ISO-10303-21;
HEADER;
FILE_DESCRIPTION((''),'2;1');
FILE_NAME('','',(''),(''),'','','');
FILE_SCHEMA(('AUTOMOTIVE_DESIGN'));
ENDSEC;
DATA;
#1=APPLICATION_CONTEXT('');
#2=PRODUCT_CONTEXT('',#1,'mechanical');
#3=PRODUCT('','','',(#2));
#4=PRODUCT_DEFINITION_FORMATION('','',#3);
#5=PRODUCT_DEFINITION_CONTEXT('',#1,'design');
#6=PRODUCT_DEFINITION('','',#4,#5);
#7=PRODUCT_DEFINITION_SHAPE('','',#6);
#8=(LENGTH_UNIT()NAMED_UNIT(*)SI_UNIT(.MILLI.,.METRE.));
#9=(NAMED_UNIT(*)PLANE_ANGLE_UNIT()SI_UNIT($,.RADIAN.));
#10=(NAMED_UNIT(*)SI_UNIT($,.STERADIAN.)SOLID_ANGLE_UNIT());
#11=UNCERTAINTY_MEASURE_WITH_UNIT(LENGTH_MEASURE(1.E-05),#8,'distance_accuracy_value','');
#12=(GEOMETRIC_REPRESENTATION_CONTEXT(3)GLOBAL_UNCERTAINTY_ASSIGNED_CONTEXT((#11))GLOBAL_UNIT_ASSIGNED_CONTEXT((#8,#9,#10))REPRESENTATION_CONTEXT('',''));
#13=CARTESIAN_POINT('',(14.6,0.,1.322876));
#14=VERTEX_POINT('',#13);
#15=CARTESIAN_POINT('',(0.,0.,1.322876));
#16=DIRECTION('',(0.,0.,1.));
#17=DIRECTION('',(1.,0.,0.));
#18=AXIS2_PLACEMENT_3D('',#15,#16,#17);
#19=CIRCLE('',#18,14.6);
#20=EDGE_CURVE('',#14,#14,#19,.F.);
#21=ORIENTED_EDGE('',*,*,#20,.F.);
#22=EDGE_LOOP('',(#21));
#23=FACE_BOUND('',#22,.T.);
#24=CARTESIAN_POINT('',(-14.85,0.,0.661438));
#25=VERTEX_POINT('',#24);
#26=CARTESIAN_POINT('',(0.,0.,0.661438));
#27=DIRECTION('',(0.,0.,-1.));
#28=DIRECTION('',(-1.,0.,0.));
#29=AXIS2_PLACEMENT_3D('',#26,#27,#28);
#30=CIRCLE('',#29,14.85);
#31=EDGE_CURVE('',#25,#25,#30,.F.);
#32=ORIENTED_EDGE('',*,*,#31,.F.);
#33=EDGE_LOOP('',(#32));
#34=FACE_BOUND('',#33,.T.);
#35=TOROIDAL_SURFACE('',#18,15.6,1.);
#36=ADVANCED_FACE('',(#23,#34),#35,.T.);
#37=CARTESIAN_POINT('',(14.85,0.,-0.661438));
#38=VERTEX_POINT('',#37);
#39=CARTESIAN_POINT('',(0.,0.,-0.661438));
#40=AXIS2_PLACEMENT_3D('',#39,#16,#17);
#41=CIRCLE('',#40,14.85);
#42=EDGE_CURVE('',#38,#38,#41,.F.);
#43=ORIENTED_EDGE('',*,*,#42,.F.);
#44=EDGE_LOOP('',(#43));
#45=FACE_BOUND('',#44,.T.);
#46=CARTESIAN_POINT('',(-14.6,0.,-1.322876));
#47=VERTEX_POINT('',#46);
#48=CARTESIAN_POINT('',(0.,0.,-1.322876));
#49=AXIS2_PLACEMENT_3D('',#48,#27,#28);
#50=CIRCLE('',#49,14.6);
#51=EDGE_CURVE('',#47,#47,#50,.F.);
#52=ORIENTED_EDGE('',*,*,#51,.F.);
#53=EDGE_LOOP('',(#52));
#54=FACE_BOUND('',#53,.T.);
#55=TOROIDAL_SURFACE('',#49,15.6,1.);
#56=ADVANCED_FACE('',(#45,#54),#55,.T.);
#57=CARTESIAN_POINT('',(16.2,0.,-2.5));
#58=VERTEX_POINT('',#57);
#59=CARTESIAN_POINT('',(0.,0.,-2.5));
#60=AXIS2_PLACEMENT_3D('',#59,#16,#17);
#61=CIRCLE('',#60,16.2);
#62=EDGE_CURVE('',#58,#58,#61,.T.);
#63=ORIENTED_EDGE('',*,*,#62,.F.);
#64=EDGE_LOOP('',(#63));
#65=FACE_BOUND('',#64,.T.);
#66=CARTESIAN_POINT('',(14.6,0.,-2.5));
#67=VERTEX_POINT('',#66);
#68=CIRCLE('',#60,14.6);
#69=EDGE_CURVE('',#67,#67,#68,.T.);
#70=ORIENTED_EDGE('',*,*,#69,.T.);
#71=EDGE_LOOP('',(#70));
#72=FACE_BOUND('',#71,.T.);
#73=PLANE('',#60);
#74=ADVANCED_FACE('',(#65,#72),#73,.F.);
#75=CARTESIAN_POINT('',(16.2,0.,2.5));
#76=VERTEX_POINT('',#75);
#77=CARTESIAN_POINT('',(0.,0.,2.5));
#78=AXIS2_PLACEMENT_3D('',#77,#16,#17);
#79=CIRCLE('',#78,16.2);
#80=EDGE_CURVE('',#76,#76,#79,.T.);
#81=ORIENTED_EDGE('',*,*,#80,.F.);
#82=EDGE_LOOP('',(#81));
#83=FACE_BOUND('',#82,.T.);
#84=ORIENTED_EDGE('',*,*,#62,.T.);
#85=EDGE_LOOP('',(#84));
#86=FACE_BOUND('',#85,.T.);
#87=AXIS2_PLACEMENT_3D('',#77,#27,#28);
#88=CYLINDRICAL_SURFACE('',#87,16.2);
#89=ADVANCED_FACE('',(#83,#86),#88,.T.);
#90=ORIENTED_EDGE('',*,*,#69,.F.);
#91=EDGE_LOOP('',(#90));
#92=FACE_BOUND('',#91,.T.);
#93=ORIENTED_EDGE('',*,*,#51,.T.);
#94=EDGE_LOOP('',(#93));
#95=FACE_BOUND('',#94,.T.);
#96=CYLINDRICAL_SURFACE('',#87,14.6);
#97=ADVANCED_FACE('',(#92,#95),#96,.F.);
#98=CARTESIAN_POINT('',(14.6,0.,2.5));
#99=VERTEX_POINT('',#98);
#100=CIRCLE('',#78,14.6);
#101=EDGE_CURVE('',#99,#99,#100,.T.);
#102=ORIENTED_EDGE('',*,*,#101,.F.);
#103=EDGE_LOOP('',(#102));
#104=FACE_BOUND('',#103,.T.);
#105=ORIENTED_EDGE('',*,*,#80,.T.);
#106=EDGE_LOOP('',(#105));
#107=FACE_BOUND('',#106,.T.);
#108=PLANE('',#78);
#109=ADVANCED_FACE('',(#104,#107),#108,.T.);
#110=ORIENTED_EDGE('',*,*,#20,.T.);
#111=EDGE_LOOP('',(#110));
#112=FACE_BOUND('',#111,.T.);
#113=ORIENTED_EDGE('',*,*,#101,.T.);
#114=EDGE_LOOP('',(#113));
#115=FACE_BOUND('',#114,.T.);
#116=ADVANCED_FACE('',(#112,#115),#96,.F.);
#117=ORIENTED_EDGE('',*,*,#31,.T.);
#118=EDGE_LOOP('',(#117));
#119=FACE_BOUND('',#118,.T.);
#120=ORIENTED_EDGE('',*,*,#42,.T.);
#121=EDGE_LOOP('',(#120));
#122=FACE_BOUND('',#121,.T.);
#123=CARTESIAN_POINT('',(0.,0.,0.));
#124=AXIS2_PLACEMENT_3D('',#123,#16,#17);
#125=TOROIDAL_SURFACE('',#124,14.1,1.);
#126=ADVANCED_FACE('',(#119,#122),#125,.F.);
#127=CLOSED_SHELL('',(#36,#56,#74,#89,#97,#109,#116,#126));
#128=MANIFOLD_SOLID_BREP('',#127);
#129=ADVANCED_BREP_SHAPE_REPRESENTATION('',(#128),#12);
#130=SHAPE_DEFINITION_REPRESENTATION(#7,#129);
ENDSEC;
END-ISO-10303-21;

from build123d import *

# Parameters (mm, degrees)
SKETCH_1_R      = 16.2
SKETCH_1_R_2    = 14.6
EXTRUDE_1_DEPTH = 2.5
SKETCH_3_R      = 1
FILLET_1_R      = 1


with BuildPart() as part:
    # 草图1 → 凸台-拉伸1 (new body, symmetric)
    with BuildSketch(Plane.XY):
        Circle(SKETCH_1_R)
        Circle(SKETCH_1_R_2, mode=Mode.SUBTRACT)
    extrude(amount=EXTRUDE_1_DEPTH, both=True)

    # 草图3 → 切除-旋转1 (revolve, cut)
    with BuildSketch(Plane(origin=(0, 0, 0), x_dir=(1, 0, 0), z_dir=(0, 1, 0))):
        with Locations((-14.1, 0)):
            Circle(SKETCH_3_R)
    revolve(axis=Axis((0, 0, 2.5), (0, 0, -1)), mode=Mode.SUBTRACT)

    # 圆角1
    fillet_1_edges = [part.edges().sort_by_distance(p)[0] for p in [
        (0, 14.6, 0.866025404),
        (0, -14.6, -0.866025404),
    ]]
    fillet(fillet_1_edges, radius=FILLET_1_R)


solid = part.part
